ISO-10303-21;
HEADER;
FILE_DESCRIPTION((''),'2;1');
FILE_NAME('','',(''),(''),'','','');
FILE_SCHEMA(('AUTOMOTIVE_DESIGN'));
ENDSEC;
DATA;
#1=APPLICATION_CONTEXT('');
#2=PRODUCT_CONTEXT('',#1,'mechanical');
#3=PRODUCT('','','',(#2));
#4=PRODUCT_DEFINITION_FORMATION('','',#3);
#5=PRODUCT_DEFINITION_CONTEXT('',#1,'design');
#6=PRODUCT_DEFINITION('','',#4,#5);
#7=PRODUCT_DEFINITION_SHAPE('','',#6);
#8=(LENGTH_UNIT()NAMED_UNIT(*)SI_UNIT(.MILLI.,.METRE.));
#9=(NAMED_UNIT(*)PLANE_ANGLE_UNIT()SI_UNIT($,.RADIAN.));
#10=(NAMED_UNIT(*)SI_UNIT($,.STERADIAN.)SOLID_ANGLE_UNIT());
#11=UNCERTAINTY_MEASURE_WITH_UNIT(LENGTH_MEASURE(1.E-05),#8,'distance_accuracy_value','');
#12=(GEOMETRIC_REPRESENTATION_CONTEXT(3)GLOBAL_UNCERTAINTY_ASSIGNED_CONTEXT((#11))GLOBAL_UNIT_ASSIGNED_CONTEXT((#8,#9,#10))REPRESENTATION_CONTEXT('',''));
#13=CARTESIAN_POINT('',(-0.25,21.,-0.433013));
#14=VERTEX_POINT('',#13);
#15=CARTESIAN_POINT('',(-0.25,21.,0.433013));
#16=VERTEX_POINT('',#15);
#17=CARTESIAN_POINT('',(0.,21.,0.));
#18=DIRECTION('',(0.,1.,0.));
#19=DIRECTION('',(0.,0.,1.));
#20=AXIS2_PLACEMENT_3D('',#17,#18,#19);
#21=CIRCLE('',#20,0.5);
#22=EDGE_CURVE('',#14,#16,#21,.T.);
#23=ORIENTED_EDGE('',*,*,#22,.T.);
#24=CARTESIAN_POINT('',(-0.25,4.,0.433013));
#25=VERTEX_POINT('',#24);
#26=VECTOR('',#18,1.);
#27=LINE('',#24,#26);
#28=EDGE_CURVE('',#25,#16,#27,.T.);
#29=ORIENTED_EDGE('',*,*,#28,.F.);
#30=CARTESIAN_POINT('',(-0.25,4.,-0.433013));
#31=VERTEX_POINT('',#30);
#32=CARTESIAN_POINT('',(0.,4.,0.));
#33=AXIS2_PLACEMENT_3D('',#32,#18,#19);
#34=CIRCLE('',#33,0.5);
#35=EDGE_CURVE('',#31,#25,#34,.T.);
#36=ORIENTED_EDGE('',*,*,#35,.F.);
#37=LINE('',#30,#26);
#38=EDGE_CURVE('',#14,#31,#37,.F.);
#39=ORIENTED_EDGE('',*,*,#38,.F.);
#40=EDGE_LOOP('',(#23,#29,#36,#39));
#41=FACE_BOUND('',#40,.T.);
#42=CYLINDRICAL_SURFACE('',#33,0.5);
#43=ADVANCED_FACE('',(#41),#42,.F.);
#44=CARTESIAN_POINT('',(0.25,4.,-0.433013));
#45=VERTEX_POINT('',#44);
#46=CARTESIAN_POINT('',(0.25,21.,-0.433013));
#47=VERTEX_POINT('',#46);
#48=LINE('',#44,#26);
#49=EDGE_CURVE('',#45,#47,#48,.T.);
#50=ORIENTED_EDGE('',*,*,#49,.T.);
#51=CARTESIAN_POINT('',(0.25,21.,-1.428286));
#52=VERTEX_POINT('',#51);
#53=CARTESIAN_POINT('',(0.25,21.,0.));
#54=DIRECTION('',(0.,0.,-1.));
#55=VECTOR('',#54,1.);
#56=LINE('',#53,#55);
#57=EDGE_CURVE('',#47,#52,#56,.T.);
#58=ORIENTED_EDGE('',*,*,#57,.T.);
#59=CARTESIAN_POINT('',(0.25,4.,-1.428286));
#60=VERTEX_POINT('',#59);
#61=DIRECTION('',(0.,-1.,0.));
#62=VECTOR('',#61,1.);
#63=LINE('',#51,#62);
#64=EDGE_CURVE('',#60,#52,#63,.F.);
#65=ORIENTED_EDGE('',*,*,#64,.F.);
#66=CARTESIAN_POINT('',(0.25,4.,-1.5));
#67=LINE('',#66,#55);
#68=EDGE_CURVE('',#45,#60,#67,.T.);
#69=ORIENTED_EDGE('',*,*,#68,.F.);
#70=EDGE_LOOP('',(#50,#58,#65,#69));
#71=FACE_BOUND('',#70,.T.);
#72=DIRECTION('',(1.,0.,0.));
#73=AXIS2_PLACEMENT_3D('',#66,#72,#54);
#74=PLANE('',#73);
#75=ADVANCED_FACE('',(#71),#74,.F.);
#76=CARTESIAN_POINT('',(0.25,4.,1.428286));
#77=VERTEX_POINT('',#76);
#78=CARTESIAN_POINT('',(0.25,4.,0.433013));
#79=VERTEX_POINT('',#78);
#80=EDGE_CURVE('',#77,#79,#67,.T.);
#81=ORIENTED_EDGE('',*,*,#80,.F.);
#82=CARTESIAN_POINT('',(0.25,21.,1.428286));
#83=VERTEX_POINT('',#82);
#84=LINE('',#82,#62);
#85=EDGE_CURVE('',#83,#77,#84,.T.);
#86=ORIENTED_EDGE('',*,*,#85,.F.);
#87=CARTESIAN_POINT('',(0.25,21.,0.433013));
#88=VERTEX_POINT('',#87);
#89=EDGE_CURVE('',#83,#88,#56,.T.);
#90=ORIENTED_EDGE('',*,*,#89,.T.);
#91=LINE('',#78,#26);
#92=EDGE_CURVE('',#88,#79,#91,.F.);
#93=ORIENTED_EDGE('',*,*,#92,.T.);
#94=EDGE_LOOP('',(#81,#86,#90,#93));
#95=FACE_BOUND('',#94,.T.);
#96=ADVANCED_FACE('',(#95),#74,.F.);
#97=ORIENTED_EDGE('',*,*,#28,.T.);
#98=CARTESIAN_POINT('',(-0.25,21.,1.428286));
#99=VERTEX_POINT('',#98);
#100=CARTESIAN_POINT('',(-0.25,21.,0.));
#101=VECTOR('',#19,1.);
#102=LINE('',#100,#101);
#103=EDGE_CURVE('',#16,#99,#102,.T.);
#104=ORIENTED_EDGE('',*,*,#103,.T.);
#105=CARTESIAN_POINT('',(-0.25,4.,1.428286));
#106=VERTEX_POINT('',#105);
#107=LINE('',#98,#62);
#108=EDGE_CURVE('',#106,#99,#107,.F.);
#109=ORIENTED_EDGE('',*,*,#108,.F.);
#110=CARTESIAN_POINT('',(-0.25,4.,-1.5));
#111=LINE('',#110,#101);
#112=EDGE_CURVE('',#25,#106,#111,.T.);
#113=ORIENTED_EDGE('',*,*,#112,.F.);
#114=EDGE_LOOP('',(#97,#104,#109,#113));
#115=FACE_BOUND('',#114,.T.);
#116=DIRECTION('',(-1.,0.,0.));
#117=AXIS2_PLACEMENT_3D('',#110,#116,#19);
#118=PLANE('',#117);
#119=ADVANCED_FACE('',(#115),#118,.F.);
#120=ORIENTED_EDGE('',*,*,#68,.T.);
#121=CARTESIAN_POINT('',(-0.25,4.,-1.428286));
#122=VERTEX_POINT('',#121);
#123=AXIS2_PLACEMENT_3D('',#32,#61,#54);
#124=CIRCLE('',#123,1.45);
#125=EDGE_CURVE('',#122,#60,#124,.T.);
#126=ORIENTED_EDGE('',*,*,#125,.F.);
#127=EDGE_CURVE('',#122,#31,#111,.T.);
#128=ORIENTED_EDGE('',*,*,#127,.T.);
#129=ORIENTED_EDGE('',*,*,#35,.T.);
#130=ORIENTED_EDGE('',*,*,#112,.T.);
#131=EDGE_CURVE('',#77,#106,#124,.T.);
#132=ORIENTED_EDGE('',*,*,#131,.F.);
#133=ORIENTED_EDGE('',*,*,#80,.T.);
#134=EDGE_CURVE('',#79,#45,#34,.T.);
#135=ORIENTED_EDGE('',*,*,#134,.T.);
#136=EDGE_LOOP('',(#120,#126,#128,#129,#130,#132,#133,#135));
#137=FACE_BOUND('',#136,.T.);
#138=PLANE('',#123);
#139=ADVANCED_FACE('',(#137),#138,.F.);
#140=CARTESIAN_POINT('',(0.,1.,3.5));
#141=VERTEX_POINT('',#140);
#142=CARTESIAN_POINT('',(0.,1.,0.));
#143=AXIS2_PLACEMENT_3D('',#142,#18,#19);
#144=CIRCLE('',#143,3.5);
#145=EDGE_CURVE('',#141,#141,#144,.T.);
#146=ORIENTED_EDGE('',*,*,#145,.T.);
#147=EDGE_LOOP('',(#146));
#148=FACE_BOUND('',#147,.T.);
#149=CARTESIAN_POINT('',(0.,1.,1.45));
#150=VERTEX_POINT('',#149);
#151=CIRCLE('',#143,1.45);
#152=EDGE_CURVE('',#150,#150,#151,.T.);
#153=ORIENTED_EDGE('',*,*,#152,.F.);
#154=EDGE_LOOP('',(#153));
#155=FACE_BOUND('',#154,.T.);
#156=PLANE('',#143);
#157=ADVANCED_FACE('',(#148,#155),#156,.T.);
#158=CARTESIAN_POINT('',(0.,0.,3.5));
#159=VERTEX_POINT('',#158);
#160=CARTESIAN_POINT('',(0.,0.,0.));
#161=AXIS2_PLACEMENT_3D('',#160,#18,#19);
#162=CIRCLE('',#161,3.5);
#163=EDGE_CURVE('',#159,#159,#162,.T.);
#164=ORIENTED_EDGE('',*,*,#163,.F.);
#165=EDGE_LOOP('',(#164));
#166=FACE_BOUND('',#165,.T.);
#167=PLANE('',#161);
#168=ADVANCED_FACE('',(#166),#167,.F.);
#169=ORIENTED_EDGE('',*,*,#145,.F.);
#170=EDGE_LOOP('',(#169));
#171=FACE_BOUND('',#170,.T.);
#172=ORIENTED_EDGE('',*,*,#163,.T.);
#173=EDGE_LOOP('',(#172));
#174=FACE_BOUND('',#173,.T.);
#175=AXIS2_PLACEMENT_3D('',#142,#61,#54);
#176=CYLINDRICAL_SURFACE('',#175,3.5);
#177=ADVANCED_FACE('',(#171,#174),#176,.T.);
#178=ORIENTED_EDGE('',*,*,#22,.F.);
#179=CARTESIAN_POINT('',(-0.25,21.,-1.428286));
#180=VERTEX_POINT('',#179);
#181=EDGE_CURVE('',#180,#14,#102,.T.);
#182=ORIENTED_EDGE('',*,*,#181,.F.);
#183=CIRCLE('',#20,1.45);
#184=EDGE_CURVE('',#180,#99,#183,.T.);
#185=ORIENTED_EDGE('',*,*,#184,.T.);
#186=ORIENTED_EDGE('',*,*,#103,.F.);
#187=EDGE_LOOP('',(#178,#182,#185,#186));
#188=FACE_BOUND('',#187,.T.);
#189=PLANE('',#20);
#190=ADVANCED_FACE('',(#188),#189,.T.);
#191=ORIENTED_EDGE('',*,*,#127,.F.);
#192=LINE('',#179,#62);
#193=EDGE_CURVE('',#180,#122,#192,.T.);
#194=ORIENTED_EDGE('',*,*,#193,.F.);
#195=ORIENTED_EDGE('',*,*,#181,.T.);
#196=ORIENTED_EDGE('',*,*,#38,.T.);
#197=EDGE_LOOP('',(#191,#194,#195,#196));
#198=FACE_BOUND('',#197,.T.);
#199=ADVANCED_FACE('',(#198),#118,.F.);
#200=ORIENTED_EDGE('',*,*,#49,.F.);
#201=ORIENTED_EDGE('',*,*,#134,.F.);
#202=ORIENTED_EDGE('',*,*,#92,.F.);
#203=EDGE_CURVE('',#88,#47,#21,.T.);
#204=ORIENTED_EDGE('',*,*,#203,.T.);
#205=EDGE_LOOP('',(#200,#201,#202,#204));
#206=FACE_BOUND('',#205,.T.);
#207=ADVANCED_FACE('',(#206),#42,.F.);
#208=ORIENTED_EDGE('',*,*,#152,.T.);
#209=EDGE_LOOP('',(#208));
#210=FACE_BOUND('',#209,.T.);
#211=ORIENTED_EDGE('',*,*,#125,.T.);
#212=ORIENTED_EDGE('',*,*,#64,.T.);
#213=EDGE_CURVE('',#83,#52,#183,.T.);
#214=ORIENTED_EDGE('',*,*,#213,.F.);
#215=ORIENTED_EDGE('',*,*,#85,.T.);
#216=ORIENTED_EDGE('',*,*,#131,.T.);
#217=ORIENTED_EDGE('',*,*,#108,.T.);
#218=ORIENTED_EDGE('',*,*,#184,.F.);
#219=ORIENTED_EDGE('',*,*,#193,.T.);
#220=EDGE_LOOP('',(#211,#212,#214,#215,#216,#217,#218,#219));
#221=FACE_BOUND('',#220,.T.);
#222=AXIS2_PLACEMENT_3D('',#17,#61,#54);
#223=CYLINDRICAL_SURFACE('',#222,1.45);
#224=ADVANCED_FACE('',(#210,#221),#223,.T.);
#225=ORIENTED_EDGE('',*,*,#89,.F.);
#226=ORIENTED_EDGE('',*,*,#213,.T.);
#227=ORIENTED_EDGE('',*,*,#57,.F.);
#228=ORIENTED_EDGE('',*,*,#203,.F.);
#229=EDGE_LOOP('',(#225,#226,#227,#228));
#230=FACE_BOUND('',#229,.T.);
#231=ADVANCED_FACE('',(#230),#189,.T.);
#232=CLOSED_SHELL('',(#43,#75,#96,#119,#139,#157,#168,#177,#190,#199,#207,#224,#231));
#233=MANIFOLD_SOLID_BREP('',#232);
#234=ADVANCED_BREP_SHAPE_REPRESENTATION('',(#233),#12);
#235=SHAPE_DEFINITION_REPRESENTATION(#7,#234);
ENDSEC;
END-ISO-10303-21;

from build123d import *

# Parameters (mm, degrees)
SKIZZE1_R                       = 3.5
AUFSATZ_LINEAR_AUSTRAGEN1_DEPTH = 1
SKIZZE2_R                       = 1.45
AUFSATZ_LINEAR_AUSTRAGEN2_DEPTH = 20
SKIZZE3_W                       = 0.5
SKIZZE3_H                       = 3
SCHNITT_LINEAR_AUSTRAGEN1_DEPTH = 17
SKIZZE4_R                       = 0.5
SCHNITT_LINEAR_AUSTRAGEN2_DEPTH = 17


with BuildPart() as part:
    # Skizze1 → Aufsatz-Linear austragen1 (new body)
    with BuildSketch(Plane(origin=(0, 0, 0), x_dir=(1, 0, 0), z_dir=(0, 1, 0))):
        with Locations(Location((0, 0, 0), (0, 0, 270))):
            Circle(SKIZZE1_R)
    extrude(amount=AUFSATZ_LINEAR_AUSTRAGEN1_DEPTH)

    # Skizze2 → Aufsatz-Linear austragen2 (add)
    with BuildSketch(Plane(origin=(0, 1, 0), x_dir=(1, 0, 0), z_dir=(0, 1, 0))):
        with Locations(Location((0, 0, 0), (0, 0, 270))):
            Circle(SKIZZE2_R)
    extrude(amount=AUFSATZ_LINEAR_AUSTRAGEN2_DEPTH)

    # Skizze3 → Schnitt-Linear austragen1 (cut)
    with BuildSketch(Plane(origin=(0, 21, 0), x_dir=(1, 0, 0), z_dir=(0, 1, 0))):
        Rectangle(SKIZZE3_W, SKIZZE3_H)
    extrude(amount=-SCHNITT_LINEAR_AUSTRAGEN1_DEPTH, mode=Mode.SUBTRACT)

    # Skizze4 → Schnitt-Linear austragen2 (cut)
    with BuildSketch(Plane(origin=(0, 21, 0), x_dir=(1, 0, 0), z_dir=(0, 1, 0))):
        Circle(SKIZZE4_R)
    extrude(amount=-SCHNITT_LINEAR_AUSTRAGEN2_DEPTH, mode=Mode.SUBTRACT)


solid = part.part
